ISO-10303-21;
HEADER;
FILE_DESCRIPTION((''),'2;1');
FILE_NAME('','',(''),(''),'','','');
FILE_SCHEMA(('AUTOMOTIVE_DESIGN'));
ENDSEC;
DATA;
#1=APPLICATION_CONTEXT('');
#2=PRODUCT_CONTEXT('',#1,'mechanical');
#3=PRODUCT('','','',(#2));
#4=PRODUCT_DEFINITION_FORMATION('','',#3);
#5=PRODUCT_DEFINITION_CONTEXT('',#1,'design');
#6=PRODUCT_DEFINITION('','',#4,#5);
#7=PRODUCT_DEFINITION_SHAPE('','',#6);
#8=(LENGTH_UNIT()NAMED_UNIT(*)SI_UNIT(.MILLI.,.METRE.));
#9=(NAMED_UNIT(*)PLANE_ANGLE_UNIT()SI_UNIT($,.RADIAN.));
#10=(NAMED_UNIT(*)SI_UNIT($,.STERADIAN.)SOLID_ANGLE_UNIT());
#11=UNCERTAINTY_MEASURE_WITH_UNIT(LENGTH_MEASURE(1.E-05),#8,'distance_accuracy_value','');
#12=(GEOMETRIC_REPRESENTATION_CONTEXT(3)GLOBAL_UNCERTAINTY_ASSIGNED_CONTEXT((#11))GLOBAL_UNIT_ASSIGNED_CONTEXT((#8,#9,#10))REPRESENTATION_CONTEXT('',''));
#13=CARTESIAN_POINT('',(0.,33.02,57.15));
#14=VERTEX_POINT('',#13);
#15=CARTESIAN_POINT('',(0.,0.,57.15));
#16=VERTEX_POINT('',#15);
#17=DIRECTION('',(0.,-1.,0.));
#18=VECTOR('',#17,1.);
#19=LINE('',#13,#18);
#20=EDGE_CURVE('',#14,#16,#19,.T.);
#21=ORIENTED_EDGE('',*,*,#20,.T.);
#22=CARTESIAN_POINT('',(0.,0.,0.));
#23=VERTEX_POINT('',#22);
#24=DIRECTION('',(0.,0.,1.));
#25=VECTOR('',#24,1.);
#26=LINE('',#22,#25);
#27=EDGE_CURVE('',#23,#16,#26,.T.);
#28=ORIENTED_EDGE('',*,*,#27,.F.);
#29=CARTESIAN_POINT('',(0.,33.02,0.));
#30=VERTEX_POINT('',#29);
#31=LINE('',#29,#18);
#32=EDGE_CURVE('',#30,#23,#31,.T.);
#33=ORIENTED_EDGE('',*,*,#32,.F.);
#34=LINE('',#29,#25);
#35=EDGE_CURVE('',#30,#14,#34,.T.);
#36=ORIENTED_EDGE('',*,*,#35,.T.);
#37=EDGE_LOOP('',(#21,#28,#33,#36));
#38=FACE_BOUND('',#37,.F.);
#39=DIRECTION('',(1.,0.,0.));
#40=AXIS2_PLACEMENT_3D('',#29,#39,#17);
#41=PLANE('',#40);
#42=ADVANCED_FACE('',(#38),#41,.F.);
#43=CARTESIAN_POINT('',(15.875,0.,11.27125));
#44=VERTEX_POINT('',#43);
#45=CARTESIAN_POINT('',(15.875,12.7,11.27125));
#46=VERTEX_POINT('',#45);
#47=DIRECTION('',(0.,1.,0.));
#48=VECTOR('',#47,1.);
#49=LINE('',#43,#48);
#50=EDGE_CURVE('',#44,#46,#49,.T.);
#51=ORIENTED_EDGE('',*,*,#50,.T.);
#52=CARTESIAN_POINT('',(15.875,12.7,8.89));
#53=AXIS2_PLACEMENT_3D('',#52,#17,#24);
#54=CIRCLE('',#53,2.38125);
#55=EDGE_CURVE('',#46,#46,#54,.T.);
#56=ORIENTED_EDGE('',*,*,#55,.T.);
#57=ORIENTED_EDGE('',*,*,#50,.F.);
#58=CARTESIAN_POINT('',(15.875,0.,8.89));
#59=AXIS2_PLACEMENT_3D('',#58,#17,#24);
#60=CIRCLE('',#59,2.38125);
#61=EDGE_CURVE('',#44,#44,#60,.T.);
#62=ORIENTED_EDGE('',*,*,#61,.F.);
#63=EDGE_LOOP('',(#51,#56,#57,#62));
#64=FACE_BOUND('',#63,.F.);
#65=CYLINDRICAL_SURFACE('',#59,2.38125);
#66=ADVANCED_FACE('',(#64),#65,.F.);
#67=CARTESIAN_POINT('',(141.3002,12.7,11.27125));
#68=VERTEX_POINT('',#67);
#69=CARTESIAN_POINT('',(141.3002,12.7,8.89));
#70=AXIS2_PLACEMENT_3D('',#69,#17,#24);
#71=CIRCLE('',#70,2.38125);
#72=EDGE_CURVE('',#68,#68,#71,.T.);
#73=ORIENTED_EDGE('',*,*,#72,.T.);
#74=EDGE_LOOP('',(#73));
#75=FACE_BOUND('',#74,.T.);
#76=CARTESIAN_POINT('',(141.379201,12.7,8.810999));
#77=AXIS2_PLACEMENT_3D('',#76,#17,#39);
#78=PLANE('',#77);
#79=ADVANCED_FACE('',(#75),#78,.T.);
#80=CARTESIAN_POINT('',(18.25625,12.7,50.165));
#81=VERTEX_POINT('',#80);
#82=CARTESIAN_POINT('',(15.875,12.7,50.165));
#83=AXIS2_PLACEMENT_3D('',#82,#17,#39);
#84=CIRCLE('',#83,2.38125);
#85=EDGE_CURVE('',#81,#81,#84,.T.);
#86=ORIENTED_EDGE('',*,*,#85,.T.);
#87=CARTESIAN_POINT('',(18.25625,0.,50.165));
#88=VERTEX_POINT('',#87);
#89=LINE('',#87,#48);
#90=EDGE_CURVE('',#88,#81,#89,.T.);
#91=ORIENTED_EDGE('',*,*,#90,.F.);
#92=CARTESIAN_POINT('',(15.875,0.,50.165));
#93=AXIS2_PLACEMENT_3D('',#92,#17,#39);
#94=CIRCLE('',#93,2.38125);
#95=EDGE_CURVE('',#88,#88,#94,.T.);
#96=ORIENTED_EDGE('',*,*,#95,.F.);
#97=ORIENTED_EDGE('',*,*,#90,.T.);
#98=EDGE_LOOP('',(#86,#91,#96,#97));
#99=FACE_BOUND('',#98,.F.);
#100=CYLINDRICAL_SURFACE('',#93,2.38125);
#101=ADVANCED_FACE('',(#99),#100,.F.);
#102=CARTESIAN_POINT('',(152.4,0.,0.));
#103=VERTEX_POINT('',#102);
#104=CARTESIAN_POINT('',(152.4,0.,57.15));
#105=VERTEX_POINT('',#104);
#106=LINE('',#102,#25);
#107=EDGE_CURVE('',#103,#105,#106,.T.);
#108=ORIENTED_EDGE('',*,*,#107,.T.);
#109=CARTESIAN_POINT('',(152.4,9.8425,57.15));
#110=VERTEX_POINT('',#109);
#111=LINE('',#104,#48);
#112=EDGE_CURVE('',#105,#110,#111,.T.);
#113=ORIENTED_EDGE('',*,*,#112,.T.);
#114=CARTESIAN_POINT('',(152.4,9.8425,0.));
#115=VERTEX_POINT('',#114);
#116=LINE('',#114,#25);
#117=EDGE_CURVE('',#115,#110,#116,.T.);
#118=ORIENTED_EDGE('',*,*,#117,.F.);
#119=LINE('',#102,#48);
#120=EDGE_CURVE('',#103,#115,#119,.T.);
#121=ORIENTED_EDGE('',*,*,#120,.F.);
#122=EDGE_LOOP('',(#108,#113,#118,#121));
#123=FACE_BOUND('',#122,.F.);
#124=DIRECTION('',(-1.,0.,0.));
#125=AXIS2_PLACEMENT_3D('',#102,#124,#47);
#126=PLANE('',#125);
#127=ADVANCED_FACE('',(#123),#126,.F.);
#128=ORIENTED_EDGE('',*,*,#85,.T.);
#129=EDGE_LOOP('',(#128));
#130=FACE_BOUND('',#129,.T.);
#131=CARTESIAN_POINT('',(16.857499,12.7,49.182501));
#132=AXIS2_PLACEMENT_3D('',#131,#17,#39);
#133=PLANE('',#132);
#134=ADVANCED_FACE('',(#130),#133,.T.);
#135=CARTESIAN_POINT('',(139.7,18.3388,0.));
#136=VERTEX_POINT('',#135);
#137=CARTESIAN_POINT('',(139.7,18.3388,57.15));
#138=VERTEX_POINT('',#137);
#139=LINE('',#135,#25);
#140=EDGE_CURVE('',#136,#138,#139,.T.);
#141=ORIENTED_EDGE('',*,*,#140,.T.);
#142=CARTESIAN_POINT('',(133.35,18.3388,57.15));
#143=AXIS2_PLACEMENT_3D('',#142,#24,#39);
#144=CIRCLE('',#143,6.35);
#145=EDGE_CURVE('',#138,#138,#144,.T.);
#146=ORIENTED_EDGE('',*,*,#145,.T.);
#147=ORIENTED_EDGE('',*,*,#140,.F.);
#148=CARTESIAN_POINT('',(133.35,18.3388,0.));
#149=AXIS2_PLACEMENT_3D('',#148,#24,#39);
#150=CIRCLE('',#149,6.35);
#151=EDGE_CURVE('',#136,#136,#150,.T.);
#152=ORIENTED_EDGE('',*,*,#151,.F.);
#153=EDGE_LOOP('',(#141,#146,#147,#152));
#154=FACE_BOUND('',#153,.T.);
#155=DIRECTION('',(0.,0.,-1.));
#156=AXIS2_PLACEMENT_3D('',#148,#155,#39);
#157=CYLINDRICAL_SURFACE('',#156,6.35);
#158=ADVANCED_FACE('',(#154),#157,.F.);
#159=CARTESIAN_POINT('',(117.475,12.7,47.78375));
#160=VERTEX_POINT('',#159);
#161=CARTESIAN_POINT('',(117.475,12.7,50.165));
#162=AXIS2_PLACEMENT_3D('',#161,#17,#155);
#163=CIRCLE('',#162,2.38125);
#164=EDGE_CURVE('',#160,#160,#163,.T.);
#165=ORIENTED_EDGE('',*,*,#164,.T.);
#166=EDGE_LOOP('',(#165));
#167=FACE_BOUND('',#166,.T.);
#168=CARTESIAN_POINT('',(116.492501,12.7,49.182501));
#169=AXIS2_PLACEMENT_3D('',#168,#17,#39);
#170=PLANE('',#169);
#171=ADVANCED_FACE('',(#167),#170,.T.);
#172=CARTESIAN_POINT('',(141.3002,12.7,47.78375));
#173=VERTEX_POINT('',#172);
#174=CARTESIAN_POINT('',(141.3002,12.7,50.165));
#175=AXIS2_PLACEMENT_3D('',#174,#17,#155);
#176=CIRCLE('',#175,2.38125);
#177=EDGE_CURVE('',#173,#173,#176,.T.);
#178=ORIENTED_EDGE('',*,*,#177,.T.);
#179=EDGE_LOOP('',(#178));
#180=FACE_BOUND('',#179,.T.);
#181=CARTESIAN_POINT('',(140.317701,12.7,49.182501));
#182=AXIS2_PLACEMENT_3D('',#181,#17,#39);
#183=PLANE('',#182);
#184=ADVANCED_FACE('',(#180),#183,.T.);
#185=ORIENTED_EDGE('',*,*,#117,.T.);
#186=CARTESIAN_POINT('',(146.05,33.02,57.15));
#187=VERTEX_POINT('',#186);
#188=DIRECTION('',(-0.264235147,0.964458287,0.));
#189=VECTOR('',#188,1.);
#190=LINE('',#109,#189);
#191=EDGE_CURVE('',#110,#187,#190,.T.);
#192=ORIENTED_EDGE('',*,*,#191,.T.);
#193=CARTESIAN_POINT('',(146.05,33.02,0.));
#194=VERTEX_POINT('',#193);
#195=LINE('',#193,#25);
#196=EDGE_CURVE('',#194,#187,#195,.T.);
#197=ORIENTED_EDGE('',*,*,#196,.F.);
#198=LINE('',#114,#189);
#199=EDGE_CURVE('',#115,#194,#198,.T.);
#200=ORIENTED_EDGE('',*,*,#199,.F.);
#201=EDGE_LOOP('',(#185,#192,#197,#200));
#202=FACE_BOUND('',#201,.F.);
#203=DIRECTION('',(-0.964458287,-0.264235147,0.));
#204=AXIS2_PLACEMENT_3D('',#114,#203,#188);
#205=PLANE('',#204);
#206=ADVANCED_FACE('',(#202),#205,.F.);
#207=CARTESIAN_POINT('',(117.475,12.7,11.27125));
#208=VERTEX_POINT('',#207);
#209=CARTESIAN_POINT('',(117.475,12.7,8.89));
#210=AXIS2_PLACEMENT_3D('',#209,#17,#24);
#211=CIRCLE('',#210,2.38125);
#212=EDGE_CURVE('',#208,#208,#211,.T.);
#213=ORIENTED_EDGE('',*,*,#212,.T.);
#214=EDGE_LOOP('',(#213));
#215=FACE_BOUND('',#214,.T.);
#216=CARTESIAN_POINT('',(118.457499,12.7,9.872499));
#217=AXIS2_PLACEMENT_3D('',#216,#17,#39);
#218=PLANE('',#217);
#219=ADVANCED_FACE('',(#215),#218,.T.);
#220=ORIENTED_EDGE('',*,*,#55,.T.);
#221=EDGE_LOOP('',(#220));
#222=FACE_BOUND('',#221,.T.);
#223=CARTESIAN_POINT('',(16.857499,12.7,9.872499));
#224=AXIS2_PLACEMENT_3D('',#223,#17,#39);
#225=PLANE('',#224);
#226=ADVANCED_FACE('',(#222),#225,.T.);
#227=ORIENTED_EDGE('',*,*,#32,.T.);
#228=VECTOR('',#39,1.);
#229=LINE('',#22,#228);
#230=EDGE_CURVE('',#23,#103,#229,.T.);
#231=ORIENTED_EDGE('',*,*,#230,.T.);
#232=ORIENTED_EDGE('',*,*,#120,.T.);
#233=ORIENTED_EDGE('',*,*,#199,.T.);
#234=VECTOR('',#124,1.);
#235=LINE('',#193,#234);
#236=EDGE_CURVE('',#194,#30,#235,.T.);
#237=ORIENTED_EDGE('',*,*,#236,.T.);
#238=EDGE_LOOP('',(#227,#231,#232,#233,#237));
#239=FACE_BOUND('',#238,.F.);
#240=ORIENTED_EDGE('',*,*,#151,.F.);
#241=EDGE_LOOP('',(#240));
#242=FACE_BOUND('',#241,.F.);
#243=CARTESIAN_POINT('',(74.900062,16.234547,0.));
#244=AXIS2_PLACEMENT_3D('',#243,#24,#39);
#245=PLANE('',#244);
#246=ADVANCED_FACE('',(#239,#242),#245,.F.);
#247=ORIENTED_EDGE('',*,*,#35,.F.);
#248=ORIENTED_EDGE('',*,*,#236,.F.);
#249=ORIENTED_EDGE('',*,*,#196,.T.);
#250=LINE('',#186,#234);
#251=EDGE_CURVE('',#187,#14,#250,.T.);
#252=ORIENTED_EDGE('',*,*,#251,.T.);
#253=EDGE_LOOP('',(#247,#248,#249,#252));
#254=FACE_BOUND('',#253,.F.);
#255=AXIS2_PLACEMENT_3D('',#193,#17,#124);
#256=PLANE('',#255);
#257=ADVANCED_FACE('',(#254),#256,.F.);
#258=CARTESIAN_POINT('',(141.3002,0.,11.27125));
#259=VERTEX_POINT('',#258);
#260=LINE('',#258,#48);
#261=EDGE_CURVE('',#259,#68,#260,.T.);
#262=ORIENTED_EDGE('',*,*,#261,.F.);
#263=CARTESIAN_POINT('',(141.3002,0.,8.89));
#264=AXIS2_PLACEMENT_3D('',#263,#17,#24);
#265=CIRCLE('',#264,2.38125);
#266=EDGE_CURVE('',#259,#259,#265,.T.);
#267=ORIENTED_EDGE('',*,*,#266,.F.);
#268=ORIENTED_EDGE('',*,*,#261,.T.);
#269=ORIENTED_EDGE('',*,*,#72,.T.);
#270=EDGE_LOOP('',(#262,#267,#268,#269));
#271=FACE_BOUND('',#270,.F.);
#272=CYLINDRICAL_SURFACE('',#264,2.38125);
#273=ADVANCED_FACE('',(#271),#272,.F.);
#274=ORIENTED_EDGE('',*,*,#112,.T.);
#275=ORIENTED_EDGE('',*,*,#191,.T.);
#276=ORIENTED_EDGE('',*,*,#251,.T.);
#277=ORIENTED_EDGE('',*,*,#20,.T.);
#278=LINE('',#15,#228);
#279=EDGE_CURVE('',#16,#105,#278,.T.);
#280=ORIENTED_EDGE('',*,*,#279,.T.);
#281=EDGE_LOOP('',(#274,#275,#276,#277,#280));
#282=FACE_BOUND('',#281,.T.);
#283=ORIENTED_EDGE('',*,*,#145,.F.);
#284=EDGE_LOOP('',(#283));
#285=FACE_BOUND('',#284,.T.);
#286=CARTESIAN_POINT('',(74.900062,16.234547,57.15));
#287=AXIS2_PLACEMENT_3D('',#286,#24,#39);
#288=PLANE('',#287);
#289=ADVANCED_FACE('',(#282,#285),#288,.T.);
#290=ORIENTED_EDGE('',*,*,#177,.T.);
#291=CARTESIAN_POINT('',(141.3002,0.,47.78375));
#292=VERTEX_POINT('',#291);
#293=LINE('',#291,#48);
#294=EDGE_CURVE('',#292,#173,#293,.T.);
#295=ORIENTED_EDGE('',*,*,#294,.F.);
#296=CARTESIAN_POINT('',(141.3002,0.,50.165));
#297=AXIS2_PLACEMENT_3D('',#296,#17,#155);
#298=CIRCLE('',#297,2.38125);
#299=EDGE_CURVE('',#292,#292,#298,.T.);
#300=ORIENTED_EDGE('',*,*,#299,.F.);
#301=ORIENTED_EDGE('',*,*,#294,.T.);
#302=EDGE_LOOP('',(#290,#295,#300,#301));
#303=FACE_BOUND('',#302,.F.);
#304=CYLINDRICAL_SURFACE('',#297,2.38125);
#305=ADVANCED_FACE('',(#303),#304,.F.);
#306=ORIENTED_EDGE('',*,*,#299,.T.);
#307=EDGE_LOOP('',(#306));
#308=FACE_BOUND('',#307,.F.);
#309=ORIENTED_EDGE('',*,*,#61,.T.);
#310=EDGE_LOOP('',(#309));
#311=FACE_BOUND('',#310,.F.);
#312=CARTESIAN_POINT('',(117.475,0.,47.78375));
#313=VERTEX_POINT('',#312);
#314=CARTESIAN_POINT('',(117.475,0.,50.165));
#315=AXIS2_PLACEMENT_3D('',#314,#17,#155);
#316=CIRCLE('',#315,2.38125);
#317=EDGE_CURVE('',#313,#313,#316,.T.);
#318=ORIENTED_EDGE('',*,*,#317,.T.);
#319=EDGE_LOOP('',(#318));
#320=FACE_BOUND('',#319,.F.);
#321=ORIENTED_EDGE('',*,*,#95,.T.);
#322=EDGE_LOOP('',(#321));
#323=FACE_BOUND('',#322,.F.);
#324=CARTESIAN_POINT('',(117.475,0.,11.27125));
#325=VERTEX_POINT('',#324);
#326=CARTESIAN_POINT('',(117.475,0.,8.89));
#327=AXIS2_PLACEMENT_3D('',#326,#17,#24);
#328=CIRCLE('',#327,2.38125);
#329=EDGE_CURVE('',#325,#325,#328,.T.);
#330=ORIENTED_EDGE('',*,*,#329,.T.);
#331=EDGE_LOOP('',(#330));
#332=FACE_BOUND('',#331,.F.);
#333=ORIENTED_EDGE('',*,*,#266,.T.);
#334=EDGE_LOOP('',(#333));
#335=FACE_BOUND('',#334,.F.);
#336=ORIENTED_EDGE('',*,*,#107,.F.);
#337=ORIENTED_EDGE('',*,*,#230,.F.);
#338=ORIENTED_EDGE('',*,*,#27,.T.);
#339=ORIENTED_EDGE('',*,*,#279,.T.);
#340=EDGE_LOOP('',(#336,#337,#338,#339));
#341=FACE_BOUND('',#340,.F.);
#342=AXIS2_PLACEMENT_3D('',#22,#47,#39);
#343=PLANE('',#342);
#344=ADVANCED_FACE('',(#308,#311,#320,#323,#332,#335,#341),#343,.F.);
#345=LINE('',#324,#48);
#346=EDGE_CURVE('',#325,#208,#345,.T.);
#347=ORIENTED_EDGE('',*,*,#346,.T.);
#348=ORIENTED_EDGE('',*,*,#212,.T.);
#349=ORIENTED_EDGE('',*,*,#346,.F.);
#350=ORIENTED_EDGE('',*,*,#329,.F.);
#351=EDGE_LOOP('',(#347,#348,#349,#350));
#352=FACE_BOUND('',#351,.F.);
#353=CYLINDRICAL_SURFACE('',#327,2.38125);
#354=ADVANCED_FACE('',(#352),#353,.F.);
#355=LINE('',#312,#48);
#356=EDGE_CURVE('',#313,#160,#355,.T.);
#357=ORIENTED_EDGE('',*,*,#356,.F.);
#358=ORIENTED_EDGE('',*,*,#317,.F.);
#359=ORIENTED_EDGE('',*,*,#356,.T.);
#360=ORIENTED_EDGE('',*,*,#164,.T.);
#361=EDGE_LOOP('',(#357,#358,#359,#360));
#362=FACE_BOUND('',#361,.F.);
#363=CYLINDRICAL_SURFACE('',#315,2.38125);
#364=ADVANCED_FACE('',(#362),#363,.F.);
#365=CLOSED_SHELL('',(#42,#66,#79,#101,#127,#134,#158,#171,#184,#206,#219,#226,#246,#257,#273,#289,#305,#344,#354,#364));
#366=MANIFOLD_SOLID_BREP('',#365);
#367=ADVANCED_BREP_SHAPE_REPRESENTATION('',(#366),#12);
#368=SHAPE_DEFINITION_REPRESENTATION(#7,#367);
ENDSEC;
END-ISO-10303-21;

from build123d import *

# Parameters (mm, degrees)
F0_R     = 6.35
F1_DEPTH = 57.15
F3_DEPTH = 12.7


with BuildPart() as f1:
    # F0 (on Top) → F1 (new body)
    with BuildSketch(Plane.XY):
        Polygon((0, 33.02), (0, 0), (152.4, 0), (152.4, 9.8425), (146.05, 33.02), align=None)
        with Locations((133.35, 18.3388)):
            Circle(F0_R, mode=Mode.SUBTRACT)
    extrude(amount=F1_DEPTH)

    # F2 (on face) → F3 (cut)
    with BuildSketch(Plane.XZ):
        with BuildLine():
            ThreePointArc((143.68145, 8.89), (142.9839980227, 10.5737980227), (141.3002, 11.27125))
            Line((141.3002, 11.27125), (141.3002, 8.89))
            Line((141.3002, 8.89), (138.91895, 8.89))
            ThreePointArc((138.91895, 8.89), (141.3002, 6.50875), (143.68145, 8.89))
        make_face()
        with BuildLine():
            Line((141.3002, 8.89), (141.3002, 11.27125))
            ThreePointArc((141.3002, 11.27125), (139.6164019773, 10.5737980227), (138.91895, 8.89))
            Line((138.91895, 8.89), (141.3002, 8.89))
        make_face()
        with BuildLine():
            Line((141.3002, 50.165), (138.91895, 50.165))
            ThreePointArc((138.91895, 50.165), (139.6164019773, 48.4812019773), (141.3002, 47.78375))
            Line((141.3002, 47.78375), (141.3002, 50.165))
        make_face()
        with BuildLine():
            ThreePointArc((143.68145, 50.165), (141.3002, 52.54625), (138.91895, 50.165))
            Line((138.91895, 50.165), (141.3002, 50.165))
            Line((141.3002, 50.165), (141.3002, 47.78375))
            ThreePointArc((141.3002, 47.78375), (142.9839980227, 48.4812019773), (143.68145, 50.165))
        make_face()
        with BuildLine():
            ThreePointArc((119.85625, 8.89), (119.1587980227, 10.5737980227), (117.475, 11.27125))
            Line((117.475, 11.27125), (117.475, 8.89))
            Line((117.475, 8.89), (119.85625, 8.89))
        make_face()
        with BuildLine():
            ThreePointArc((115.09375, 8.89), (117.475, 6.50875), (119.85625, 8.89))
            Line((119.85625, 8.89), (117.475, 8.89))
            Line((117.475, 8.89), (115.09375, 8.89))
        make_face()
        with BuildLine():
            Line((117.475, 50.165), (115.09375, 50.165))
            ThreePointArc((115.09375, 50.165), (115.7912019773, 48.4812019773), (117.475, 47.78375))
            Line((117.475, 47.78375), (117.475, 50.165))
        make_face()
        with BuildLine():
            Line((117.475, 50.165), (119.85625, 50.165))
            ThreePointArc((119.85625, 50.165), (117.475, 52.54625), (115.09375, 50.165))
            Line((115.09375, 50.165), (117.475, 50.165))
        make_face()
        with BuildLine():
            ThreePointArc((117.475, 47.78375), (119.1587980227, 48.4812019773), (119.85625, 50.165))
            Line((119.85625, 50.165), (117.475, 50.165))
            Line((117.475, 50.165), (117.475, 47.78375))
        make_face()
        with BuildLine():
            Line((15.875, 8.89), (18.25625, 8.89))
            ThreePointArc((18.25625, 8.89), (17.5587980227, 10.5737980227), (15.875, 11.27125))
            Line((15.875, 11.27125), (15.875, 8.89))
        make_face()
        with BuildLine():
            ThreePointArc((15.875, 11.27125), (14.1912019773, 7.2062019773), (18.25625, 8.89))
            Line((18.25625, 8.89), (15.875, 8.89))
            Line((15.875, 8.89), (15.875, 11.27125))
        make_face()
        with BuildLine():
            ThreePointArc((15.875, 47.78375), (17.5587980227, 48.4812019773), (18.25625, 50.165))
            Line((18.25625, 50.165), (15.875, 50.165))
            Line((15.875, 50.165), (15.875, 47.78375))
        make_face()
        with BuildLine():
            Line((15.875, 50.165), (18.25625, 50.165))
            ThreePointArc((18.25625, 50.165), (14.1912019773, 51.8487980227), (15.875, 47.78375))
            Line((15.875, 47.78375), (15.875, 50.165))
        make_face()
        with BuildLine():
            Line((117.475, 8.89), (117.475, 11.27125))
            ThreePointArc((117.475, 11.27125), (115.7912019773, 10.5737980227), (115.09375, 8.89))
            Line((115.09375, 8.89), (117.475, 8.89))
        make_face()
    extrude(amount=-F3_DEPTH, mode=Mode.SUBTRACT)


solid = f1.part
